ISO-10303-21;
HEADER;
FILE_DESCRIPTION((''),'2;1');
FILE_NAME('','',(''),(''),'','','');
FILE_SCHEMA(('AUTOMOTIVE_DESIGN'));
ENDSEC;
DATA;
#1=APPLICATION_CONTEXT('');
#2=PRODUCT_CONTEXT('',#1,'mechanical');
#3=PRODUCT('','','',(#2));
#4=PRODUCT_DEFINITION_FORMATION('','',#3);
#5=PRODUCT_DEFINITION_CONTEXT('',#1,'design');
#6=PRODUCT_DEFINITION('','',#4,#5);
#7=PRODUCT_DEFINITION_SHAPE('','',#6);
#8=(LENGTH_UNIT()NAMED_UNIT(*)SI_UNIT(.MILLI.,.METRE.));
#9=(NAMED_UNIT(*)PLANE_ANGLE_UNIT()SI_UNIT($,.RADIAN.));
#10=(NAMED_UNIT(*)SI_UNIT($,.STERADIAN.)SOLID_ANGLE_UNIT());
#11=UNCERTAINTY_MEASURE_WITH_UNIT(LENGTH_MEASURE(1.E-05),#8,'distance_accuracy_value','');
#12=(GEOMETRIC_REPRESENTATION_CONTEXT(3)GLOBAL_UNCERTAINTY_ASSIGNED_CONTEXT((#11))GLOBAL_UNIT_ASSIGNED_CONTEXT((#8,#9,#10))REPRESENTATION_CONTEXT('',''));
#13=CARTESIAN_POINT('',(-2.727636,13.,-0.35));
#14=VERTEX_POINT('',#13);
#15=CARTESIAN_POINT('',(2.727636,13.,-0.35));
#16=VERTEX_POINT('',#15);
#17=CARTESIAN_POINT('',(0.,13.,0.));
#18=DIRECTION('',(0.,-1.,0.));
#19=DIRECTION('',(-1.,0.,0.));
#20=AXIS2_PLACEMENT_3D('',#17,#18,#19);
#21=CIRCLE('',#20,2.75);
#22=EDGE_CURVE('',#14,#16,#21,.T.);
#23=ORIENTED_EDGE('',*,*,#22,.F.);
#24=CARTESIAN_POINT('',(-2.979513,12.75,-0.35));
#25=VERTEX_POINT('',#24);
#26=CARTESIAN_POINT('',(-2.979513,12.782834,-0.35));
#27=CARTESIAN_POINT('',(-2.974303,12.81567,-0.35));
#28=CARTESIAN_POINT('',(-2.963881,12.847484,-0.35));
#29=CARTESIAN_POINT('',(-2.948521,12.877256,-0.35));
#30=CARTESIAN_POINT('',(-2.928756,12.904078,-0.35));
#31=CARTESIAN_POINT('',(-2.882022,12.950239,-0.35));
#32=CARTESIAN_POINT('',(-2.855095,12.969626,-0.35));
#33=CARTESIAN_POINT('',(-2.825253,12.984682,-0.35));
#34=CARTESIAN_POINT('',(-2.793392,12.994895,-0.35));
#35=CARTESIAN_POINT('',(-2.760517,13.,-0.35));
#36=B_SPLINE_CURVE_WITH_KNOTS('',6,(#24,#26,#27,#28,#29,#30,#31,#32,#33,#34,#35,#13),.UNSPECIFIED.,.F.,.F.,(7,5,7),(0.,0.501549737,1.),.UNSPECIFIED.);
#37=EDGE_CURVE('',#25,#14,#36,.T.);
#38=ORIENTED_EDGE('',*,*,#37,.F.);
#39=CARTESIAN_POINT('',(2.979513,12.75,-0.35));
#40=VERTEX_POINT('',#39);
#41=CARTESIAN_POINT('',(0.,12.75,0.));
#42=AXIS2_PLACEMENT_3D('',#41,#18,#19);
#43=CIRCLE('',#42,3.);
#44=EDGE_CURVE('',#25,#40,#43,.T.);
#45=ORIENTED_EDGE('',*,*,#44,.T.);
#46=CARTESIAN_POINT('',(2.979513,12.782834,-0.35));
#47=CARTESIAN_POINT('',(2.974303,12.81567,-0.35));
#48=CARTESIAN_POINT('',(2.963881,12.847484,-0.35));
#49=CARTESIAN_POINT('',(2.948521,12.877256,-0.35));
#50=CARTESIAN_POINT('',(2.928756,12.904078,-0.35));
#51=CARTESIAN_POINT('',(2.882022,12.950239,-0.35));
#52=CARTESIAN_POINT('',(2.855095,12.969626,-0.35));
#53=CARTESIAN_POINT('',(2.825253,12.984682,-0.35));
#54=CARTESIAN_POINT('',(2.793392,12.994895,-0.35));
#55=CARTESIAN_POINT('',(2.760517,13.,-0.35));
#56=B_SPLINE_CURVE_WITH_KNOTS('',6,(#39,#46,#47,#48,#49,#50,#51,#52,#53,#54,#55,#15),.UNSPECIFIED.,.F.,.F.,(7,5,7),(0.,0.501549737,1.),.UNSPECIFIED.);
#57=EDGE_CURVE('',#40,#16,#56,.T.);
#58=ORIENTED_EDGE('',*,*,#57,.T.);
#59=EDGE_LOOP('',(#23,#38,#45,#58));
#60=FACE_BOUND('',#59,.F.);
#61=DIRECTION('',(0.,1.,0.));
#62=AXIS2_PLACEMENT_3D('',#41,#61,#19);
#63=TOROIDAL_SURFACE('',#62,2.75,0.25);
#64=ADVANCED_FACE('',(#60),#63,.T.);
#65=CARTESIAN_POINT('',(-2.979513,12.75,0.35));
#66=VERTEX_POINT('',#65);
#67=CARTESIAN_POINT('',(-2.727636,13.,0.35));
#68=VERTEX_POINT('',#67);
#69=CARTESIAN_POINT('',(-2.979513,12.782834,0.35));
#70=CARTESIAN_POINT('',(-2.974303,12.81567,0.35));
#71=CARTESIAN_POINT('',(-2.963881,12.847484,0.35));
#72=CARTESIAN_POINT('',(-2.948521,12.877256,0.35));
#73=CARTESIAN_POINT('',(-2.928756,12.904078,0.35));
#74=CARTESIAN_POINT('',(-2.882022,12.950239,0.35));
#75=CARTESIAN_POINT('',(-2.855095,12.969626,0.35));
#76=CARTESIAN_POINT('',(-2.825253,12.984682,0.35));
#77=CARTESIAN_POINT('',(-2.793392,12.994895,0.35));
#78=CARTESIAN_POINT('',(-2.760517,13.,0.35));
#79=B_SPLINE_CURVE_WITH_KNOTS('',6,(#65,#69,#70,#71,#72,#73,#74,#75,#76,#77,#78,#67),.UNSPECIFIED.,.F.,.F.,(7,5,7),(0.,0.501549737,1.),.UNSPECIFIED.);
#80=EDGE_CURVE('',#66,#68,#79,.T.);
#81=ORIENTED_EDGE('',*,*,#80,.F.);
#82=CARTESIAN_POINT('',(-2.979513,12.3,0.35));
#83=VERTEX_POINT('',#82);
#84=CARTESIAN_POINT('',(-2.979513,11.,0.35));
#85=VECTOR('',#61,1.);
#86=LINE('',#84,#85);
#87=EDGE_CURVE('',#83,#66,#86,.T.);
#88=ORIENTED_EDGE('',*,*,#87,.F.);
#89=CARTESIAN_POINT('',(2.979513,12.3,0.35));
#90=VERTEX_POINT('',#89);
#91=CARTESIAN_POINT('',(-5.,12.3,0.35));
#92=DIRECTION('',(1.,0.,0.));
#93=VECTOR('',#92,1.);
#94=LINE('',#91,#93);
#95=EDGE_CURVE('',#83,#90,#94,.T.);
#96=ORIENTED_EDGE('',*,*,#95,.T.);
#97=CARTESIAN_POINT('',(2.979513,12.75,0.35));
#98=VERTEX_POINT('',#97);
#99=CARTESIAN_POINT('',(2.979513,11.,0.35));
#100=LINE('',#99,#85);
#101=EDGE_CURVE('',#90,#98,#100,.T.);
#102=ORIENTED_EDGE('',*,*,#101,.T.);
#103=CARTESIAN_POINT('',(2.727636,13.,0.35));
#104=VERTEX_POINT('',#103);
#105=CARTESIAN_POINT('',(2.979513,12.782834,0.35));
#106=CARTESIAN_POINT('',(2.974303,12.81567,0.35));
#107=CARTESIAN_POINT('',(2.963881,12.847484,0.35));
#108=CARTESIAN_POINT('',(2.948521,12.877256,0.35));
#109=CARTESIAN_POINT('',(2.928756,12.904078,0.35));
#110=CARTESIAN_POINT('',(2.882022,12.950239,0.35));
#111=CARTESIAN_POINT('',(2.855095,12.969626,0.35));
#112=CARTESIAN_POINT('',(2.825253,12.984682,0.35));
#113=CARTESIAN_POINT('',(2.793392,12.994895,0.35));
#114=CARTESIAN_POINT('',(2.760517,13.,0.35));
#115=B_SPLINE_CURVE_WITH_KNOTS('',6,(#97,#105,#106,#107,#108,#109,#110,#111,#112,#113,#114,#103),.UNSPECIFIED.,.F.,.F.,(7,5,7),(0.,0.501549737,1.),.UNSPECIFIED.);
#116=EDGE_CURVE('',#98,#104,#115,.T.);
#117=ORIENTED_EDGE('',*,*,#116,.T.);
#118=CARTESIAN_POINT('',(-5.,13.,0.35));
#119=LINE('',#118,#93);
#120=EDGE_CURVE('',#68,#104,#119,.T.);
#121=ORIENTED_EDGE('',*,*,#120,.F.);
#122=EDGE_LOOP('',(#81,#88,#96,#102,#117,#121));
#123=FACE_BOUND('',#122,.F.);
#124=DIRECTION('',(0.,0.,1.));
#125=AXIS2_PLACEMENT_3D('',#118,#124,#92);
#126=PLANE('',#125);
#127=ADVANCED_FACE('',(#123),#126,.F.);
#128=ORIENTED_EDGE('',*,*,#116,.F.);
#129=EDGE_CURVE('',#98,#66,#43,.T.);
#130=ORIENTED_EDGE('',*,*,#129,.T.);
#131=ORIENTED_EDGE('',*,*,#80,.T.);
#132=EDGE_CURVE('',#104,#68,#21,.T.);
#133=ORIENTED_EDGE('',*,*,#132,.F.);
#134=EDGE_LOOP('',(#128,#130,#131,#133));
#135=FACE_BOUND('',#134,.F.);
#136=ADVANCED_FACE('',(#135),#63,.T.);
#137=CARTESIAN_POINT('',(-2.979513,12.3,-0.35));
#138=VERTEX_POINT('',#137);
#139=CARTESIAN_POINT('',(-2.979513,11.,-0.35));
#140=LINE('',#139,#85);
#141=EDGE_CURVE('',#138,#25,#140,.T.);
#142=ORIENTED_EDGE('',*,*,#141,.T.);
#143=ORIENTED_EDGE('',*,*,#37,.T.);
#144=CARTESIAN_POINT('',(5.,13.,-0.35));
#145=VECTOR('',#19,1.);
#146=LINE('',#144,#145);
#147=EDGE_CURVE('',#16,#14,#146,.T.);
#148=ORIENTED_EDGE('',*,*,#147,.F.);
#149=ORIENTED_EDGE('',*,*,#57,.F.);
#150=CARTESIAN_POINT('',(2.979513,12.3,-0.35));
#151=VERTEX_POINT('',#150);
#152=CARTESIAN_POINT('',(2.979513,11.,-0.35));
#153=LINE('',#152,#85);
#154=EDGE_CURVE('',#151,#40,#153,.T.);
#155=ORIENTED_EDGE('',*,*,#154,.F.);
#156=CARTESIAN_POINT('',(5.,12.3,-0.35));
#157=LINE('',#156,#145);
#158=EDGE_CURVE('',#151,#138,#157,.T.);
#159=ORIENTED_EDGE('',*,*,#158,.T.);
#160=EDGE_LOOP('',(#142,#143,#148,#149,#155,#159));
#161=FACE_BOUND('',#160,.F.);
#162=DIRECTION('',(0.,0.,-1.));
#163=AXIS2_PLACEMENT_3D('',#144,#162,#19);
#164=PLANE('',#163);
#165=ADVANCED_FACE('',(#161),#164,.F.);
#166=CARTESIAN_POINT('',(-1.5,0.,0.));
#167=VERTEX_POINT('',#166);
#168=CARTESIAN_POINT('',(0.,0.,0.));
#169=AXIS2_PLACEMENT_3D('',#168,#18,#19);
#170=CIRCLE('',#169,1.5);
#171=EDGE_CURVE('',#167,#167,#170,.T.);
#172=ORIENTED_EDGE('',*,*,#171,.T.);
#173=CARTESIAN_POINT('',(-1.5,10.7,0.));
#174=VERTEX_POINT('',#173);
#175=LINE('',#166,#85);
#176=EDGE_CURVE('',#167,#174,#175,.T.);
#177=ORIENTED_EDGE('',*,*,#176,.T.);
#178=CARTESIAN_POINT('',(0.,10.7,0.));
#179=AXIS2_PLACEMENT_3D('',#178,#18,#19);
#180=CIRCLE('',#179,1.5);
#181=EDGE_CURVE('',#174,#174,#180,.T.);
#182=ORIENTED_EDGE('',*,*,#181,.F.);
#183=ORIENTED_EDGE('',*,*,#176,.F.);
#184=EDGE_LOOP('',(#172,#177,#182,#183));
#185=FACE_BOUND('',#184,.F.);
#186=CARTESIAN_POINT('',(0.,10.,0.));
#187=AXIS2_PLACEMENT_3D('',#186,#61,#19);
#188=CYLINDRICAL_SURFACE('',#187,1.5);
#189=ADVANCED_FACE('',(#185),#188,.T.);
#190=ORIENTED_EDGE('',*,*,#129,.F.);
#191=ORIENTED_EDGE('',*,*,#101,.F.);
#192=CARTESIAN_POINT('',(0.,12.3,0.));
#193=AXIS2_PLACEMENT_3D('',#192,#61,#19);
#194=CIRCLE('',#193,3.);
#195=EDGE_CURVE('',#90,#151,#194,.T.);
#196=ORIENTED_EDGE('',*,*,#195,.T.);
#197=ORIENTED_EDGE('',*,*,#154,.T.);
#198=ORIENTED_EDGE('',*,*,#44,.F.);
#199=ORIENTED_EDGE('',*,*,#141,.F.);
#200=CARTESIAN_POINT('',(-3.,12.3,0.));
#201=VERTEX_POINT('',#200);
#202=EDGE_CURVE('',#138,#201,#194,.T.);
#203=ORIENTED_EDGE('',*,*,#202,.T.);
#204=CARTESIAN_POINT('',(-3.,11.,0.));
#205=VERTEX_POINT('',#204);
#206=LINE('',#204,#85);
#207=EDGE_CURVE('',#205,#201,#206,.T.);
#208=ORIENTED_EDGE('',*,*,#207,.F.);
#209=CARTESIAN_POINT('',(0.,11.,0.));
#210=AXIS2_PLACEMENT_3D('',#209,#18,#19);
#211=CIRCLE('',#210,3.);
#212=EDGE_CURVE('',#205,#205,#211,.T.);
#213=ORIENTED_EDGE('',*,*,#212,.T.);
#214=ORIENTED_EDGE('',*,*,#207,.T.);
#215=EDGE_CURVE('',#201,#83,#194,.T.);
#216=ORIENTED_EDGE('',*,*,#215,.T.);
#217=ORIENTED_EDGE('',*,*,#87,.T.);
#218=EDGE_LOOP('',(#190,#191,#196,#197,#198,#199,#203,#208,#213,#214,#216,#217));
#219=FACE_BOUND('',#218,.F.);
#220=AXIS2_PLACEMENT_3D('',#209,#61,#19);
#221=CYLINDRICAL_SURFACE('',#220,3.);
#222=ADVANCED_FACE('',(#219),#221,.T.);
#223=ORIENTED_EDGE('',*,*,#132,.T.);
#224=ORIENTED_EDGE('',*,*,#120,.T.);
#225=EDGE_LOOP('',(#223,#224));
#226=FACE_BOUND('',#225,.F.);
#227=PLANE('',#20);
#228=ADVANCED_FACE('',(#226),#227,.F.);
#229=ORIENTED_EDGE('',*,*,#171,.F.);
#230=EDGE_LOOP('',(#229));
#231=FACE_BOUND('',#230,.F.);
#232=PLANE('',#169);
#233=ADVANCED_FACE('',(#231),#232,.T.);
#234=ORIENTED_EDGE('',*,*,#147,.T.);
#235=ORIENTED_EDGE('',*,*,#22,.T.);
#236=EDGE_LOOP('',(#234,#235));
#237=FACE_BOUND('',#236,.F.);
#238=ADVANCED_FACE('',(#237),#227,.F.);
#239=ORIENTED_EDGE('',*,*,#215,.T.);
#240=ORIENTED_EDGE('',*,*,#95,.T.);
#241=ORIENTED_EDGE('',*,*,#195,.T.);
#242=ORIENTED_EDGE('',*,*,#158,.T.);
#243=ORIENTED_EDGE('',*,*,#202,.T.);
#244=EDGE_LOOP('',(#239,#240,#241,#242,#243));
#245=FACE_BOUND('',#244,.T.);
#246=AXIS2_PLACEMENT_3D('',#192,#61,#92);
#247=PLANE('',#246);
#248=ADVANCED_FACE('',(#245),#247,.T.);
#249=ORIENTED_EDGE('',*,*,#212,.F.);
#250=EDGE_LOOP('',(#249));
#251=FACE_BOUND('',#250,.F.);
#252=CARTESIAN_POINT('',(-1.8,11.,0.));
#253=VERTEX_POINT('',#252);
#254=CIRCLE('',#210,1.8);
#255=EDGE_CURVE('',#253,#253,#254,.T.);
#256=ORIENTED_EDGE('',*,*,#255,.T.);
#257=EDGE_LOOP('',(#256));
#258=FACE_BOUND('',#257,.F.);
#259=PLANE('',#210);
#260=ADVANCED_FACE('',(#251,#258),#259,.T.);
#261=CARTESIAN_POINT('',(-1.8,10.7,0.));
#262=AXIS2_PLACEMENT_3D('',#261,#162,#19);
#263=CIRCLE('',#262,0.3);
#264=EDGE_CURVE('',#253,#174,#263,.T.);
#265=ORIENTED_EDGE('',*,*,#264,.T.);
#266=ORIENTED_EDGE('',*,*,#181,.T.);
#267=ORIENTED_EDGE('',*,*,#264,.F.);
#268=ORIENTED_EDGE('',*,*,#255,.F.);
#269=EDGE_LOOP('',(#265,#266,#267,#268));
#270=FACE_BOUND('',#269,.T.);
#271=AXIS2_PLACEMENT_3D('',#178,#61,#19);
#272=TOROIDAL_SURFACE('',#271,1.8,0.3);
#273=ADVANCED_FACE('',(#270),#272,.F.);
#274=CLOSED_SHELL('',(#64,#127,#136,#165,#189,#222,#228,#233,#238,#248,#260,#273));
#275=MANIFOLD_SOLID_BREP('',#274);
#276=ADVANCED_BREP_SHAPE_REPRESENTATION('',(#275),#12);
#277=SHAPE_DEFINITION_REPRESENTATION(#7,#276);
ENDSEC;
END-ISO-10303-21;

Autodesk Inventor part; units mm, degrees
ref_plane "YZ Plane" through (0, 0, 0) normal (1, 0, 0) x (0, 1, 0)
ref_plane "XZ Plane" through (0, 0, 0) normal (0, 1, 0) x (-1, 0, 0)
ref_plane "XY Plane" through (0, 0, 0) normal (0, 0, 1) x (1, 0, 0)
sketch "Sketch1" plane through (0, 0, 0) normal (0, 0, 1) x (1, 0, 0)
  line L0 (0, 0) -> (-1.5, 0)
  line L1 (-1.5, 0) -> (-1.5, 10)
  line L2 (-1.5, 10) -> (-1.5, 10)
  line L3 (-1.5, 10) -> (-1.5, 11)
  line L4 (-1.5, 11) -> (-3, 11)
  line L5 (-3, 11) -> (-3, 13)
  line L6 (-3, 13) -> (0, 13)
  line L7 (0, 13) -> (0, 0)
  dimension "d0" = 2
  dimension "d1" = 3
  dimension "d2" = 1.5
  dimension "d3" = 0
  dimension "d4" = 1
  dimension "d5" = 13
  dimension "d6" = 90
revolve "Revolution1" add sketch "Sketch1" angle 360 about axis through (0, 13, 0) along (0, -1, 0)
thread "Thread1" size "M3x0.35" class "6g" standard "ANSI Metric M Profile" length 27
sketch "Sketch2" plane through (0, 13, 0) normal (0, 1, 0) x (1, 0, 0)
  line L0 (5, 0.35) -> (-5, 0.35)
  line L1 (-5, 0.35) -> (-5, -0.35)
  line L2 (-5, -0.35) -> (5, -0.35)
  line L3 (5, -0.35) -> (5, 0.35)
  line L4 (5, 0.35) -> (-5, -0.35) construction
  line L5 (-5, 0.35) -> (5, -0.35) construction
  point P0 (0, 0)
  dimension "d10" = 10
  dimension "d11" = 0.7
fillet "Fillet1" radius 0.25 1 edges at (3, 13, 0)
extrude "Extrusion2" cut sketch "Sketch2" against normal blind 0.7
fillet "Fillet2" radius 0.3 1 edges at (1.5, 11, 0)
properties part number "TorsionOscillator-Screw-M3-Brass-CheeseHead-10mm-fine" material "Brass, Soft Yellow"
